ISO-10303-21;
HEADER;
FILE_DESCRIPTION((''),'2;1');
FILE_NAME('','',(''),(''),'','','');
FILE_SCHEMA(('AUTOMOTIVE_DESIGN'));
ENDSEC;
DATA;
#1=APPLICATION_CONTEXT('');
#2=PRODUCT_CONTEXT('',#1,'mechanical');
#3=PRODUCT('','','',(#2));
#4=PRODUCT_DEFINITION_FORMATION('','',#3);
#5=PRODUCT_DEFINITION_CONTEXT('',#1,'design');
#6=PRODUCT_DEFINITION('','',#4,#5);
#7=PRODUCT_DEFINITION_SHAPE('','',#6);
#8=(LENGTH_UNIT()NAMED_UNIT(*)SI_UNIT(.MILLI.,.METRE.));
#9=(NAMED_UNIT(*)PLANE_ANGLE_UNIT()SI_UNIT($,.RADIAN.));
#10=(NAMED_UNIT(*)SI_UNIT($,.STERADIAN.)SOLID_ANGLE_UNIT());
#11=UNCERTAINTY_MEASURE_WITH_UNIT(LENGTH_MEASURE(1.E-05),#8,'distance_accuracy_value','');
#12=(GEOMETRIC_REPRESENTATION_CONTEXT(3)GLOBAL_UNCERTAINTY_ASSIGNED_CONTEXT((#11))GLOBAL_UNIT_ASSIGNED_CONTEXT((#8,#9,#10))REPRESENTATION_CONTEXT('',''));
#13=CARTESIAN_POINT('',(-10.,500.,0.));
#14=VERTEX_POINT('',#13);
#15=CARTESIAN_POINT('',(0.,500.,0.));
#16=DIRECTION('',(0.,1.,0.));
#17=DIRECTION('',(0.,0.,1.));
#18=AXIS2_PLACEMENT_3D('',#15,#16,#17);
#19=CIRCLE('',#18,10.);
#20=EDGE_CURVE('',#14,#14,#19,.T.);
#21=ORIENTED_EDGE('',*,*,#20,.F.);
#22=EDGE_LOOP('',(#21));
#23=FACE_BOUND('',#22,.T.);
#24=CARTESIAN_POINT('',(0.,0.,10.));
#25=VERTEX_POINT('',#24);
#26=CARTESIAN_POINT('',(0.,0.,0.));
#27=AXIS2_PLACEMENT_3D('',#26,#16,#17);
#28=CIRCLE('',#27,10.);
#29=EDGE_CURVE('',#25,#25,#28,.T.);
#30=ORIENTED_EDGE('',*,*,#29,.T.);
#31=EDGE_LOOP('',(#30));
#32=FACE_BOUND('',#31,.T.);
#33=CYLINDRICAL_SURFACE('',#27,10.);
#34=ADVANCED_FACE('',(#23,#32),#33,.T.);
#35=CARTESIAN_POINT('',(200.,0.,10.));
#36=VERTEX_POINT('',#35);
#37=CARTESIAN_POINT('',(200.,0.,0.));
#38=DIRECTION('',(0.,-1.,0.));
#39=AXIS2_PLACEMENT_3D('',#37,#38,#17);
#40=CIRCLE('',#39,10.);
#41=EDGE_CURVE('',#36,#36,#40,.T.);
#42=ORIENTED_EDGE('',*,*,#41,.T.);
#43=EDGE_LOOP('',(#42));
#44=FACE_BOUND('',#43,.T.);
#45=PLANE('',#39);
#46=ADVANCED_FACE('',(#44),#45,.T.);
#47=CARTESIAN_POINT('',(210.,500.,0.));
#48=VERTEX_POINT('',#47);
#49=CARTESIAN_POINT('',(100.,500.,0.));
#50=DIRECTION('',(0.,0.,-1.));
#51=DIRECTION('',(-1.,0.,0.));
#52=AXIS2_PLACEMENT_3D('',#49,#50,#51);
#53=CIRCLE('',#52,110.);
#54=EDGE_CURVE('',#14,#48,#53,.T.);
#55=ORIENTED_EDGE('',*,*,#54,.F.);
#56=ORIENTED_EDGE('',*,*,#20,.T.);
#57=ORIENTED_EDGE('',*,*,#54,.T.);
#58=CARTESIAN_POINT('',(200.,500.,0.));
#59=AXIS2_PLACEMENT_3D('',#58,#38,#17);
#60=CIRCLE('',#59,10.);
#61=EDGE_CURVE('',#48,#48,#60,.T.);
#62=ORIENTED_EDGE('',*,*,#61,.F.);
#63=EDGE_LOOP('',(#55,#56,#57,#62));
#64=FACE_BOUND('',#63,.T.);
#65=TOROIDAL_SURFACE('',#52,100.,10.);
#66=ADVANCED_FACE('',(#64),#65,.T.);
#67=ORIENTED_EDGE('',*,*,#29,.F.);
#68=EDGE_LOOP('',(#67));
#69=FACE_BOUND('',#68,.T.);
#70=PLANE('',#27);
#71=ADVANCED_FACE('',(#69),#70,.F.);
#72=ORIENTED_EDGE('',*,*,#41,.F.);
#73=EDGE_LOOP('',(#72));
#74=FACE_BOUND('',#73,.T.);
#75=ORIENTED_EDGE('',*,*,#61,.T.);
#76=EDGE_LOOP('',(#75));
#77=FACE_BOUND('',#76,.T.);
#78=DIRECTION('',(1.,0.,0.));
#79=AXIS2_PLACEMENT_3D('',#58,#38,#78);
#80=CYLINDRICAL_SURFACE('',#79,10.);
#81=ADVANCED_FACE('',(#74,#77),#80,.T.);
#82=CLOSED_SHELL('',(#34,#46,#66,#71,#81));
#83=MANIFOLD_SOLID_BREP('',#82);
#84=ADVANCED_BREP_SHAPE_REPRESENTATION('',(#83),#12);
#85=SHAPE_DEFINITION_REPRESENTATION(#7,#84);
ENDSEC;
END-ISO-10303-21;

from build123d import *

# Parameters (mm, degrees)
SKETCH2_R = 10


with BuildPart() as part:
    # Sweep1: sweep along a path in Sketch1
    with BuildLine(Plane.XY) as sweep1_path:
        Line((0, 0), (0, 500))
        ThreePointArc((0, 500), (100, 600), (200, 500))
        Line((200, 500), (200, 0))
    # Sketch2 → Sweep1 (sweep)
    with BuildSketch(Plane(origin=(0, 0, 0), x_dir=(1, 0, 0), z_dir=(0, 1, 0))):
        Circle(SKETCH2_R)
    sweep(path=sweep1_path.line)


solid = part.part
